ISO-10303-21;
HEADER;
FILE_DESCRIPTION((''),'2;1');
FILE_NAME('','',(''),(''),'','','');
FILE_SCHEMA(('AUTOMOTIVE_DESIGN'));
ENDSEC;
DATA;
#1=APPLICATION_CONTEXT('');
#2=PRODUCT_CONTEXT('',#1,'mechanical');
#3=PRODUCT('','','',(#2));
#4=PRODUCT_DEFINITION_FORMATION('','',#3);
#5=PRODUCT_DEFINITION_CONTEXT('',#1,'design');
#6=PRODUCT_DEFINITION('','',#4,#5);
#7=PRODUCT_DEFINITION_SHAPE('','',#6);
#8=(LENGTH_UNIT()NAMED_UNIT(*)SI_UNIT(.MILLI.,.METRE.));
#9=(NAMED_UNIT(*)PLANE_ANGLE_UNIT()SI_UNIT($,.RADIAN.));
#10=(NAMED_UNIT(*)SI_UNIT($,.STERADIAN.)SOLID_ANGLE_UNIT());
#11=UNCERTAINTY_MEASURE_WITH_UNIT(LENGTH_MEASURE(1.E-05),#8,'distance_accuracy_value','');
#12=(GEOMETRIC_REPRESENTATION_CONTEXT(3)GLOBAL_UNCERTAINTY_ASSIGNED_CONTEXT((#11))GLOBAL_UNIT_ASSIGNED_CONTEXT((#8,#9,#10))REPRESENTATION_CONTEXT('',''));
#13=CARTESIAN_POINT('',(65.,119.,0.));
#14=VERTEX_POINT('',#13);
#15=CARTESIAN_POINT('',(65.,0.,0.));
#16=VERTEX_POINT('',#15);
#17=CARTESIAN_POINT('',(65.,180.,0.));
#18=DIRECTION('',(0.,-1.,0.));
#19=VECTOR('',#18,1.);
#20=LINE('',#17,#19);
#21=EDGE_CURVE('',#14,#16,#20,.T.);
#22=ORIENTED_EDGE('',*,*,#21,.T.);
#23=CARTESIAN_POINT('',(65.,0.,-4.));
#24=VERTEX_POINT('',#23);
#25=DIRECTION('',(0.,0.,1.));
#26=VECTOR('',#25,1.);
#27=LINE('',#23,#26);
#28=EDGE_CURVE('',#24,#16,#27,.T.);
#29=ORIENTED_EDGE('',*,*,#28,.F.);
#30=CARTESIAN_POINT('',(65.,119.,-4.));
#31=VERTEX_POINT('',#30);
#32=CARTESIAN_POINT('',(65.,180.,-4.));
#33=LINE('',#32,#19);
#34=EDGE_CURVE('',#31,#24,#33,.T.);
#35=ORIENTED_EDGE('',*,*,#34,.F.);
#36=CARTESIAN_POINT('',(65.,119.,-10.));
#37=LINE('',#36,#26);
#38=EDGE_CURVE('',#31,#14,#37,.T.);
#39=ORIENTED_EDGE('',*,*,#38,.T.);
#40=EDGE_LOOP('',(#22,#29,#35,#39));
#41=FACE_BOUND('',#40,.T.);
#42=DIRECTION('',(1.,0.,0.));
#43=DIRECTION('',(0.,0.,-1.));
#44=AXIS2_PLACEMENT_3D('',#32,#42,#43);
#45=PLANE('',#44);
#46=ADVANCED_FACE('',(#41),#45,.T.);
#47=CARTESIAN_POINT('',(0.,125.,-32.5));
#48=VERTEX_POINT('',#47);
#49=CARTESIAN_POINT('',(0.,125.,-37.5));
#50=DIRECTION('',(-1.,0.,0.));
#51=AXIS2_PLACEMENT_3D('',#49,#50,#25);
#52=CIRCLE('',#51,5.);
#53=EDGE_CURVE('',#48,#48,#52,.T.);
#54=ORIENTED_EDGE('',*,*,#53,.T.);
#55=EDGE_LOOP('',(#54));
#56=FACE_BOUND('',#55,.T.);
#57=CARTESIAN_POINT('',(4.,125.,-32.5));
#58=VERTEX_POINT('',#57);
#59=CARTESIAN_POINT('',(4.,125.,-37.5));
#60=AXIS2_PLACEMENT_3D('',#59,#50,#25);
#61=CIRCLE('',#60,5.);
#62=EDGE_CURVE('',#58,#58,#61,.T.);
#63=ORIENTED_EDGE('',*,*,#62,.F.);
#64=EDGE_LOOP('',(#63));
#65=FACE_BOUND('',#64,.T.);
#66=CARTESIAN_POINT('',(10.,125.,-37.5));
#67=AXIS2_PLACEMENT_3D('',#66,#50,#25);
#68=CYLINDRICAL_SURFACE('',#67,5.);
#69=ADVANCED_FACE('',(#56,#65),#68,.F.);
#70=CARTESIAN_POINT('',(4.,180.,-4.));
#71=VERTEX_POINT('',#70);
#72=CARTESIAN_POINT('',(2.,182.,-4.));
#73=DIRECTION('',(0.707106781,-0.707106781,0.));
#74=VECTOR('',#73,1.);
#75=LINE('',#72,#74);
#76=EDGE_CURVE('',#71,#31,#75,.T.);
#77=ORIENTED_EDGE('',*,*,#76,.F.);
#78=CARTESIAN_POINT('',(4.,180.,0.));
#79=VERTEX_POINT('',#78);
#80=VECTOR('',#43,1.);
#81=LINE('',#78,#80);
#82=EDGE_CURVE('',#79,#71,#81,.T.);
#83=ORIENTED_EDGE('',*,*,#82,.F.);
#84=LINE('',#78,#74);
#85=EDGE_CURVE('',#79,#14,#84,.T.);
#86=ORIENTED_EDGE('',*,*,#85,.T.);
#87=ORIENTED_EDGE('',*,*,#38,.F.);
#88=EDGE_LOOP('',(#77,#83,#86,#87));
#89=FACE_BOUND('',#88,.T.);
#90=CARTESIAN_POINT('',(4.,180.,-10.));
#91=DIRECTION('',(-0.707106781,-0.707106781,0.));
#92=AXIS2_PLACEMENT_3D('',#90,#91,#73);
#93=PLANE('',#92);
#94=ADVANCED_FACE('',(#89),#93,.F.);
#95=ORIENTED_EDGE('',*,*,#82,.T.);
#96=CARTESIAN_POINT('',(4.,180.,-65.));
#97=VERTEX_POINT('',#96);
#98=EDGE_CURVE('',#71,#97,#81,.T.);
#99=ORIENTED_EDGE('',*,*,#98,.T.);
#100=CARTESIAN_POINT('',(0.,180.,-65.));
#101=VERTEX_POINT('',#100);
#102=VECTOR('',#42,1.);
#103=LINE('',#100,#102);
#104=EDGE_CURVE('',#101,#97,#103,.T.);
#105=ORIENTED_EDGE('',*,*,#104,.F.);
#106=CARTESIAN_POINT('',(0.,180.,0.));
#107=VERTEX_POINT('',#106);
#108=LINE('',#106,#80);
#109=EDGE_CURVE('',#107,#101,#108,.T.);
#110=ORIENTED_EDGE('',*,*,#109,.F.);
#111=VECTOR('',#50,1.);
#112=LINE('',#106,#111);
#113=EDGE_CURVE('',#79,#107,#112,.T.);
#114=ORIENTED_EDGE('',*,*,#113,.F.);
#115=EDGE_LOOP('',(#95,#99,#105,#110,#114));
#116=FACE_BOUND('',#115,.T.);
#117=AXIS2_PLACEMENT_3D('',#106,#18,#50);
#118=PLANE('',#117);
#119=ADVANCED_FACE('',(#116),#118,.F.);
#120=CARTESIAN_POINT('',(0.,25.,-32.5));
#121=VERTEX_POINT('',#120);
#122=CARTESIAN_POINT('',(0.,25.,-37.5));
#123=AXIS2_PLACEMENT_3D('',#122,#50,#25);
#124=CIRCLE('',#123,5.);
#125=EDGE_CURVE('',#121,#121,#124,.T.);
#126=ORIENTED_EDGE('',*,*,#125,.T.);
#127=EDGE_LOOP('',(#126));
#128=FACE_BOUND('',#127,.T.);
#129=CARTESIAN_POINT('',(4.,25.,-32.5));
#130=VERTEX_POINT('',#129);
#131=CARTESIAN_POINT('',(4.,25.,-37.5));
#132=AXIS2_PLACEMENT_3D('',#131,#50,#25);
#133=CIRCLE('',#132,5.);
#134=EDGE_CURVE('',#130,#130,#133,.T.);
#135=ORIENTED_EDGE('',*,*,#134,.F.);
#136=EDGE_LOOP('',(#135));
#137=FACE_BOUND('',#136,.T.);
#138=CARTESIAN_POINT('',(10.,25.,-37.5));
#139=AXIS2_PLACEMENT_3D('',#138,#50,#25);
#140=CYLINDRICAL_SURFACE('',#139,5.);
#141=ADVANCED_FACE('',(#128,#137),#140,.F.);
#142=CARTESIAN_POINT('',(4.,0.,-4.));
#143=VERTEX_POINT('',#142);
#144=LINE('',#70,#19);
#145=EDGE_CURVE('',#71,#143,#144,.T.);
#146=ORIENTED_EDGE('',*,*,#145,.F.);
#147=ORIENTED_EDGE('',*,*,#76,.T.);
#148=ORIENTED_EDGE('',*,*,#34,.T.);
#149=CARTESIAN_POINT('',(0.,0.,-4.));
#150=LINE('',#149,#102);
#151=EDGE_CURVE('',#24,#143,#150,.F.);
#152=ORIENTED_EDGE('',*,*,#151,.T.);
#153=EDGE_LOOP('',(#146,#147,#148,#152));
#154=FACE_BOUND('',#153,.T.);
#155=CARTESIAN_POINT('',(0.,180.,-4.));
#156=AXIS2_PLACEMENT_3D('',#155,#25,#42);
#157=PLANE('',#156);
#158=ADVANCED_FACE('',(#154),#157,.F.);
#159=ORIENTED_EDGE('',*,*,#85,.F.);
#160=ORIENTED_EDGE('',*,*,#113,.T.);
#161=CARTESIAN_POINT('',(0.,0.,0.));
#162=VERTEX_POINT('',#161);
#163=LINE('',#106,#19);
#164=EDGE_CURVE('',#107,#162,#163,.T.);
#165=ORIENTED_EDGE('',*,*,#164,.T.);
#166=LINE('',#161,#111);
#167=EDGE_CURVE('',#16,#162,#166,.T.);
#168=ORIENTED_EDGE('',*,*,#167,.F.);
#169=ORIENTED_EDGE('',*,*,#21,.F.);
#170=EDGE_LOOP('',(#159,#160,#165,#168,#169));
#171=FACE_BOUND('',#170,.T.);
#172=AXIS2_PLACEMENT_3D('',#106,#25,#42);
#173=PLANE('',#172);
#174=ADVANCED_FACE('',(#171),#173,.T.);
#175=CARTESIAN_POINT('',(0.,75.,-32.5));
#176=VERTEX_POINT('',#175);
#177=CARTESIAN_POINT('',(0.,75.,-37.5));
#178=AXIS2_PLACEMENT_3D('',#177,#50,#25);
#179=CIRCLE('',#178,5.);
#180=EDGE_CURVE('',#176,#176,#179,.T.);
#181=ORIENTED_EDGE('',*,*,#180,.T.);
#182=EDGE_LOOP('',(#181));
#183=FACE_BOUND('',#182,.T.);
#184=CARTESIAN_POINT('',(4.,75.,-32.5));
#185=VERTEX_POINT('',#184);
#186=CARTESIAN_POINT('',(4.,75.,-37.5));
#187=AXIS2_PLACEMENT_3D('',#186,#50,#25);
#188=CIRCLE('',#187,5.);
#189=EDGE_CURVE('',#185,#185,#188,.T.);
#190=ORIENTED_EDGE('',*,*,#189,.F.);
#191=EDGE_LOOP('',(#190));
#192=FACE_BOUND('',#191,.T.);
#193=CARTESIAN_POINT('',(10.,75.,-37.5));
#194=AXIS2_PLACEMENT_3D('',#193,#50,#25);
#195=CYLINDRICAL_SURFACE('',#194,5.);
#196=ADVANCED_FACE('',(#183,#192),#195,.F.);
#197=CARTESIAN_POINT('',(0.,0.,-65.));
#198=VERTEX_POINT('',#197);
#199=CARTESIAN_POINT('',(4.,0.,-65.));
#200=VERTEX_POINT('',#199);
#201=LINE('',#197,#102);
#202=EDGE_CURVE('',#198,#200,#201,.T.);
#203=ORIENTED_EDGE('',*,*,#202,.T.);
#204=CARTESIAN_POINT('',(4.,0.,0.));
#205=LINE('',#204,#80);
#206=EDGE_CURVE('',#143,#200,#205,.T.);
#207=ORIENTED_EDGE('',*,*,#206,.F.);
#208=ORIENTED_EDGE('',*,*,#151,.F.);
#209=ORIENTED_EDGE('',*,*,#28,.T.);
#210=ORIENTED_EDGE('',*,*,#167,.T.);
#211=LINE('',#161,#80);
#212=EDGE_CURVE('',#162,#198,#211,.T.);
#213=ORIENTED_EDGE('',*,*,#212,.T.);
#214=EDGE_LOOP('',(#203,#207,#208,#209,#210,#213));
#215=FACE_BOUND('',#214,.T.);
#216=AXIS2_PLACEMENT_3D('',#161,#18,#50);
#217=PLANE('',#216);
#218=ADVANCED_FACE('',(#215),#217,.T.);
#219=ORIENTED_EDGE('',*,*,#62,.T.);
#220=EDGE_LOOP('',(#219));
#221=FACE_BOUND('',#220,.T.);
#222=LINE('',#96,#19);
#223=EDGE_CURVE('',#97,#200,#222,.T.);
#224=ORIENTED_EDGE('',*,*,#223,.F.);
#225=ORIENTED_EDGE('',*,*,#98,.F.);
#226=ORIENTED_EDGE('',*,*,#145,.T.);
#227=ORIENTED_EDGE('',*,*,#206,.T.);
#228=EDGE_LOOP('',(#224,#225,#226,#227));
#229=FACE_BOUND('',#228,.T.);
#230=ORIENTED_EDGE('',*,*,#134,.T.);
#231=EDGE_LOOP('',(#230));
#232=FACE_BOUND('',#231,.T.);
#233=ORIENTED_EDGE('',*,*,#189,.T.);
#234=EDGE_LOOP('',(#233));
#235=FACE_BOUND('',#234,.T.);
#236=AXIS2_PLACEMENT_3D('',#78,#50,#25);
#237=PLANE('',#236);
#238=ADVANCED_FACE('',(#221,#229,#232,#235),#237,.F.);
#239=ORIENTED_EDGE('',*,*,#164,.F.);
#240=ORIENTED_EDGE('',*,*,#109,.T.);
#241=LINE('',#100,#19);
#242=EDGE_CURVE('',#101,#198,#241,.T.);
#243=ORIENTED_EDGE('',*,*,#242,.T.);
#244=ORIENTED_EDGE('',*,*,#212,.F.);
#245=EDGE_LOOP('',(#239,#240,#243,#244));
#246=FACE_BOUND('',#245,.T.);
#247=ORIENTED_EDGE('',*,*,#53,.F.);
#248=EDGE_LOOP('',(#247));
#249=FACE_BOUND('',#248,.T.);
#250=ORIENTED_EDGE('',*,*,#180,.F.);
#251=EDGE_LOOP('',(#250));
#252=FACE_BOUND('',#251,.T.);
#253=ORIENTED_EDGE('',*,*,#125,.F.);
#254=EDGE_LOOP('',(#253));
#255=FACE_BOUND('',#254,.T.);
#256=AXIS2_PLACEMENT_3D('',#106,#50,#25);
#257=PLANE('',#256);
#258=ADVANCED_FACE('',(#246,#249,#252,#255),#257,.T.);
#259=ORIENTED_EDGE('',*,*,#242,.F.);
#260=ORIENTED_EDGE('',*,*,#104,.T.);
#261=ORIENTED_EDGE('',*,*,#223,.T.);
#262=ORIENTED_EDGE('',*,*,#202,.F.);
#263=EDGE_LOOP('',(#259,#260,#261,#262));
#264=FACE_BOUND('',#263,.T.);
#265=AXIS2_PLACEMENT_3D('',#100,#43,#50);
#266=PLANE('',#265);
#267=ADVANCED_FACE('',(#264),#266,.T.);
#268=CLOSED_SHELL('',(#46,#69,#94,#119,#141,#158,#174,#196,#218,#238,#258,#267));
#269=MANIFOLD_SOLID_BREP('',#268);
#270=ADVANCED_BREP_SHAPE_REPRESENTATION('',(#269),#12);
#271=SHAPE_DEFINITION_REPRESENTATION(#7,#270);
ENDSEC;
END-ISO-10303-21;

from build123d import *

# Parameters (mm, degrees)
EXTRUDE_1_DEPTH     = 180
SKETCH_6_R          = 5
CUT_EXTRUDE_1_DEPTH = 10
CUT_EXTRUDE_2_DEPTH = 10


with BuildPart() as part:
    # Эскиз1 → Вытянуть-Тонкостенный1 (new body)
    with BuildSketch(Plane(origin=(0, 0, 0), x_dir=(1, 0, 0), z_dir=(0, 1, 0))):
        Polygon((0, 65), (0, 0), (65, 0), (65, 4), (4, 4), (4, 65), align=None)
    extrude(amount=EXTRUDE_1_DEPTH)

    # Эскиз6 → Вырез-Вытянуть1 (cut)
    with BuildSketch(Plane.ZY):
        with Locations((-37.5, 25)):
            Circle(SKETCH_6_R)
        with Locations((-37.5, 75)):
            Circle(SKETCH_6_R)
        with Locations((-37.5, 125)):
            Circle(SKETCH_6_R)
    extrude(amount=-CUT_EXTRUDE_1_DEPTH, mode=Mode.SUBTRACT)

    # Эскиз7 → Вырез-Вытянуть2 (cut)
    with BuildSketch(Plane.XY):
        Polygon((4, 180), (65, 180), (65, 119), align=None)
    extrude(amount=-CUT_EXTRUDE_2_DEPTH, mode=Mode.SUBTRACT)


solid = part.part
